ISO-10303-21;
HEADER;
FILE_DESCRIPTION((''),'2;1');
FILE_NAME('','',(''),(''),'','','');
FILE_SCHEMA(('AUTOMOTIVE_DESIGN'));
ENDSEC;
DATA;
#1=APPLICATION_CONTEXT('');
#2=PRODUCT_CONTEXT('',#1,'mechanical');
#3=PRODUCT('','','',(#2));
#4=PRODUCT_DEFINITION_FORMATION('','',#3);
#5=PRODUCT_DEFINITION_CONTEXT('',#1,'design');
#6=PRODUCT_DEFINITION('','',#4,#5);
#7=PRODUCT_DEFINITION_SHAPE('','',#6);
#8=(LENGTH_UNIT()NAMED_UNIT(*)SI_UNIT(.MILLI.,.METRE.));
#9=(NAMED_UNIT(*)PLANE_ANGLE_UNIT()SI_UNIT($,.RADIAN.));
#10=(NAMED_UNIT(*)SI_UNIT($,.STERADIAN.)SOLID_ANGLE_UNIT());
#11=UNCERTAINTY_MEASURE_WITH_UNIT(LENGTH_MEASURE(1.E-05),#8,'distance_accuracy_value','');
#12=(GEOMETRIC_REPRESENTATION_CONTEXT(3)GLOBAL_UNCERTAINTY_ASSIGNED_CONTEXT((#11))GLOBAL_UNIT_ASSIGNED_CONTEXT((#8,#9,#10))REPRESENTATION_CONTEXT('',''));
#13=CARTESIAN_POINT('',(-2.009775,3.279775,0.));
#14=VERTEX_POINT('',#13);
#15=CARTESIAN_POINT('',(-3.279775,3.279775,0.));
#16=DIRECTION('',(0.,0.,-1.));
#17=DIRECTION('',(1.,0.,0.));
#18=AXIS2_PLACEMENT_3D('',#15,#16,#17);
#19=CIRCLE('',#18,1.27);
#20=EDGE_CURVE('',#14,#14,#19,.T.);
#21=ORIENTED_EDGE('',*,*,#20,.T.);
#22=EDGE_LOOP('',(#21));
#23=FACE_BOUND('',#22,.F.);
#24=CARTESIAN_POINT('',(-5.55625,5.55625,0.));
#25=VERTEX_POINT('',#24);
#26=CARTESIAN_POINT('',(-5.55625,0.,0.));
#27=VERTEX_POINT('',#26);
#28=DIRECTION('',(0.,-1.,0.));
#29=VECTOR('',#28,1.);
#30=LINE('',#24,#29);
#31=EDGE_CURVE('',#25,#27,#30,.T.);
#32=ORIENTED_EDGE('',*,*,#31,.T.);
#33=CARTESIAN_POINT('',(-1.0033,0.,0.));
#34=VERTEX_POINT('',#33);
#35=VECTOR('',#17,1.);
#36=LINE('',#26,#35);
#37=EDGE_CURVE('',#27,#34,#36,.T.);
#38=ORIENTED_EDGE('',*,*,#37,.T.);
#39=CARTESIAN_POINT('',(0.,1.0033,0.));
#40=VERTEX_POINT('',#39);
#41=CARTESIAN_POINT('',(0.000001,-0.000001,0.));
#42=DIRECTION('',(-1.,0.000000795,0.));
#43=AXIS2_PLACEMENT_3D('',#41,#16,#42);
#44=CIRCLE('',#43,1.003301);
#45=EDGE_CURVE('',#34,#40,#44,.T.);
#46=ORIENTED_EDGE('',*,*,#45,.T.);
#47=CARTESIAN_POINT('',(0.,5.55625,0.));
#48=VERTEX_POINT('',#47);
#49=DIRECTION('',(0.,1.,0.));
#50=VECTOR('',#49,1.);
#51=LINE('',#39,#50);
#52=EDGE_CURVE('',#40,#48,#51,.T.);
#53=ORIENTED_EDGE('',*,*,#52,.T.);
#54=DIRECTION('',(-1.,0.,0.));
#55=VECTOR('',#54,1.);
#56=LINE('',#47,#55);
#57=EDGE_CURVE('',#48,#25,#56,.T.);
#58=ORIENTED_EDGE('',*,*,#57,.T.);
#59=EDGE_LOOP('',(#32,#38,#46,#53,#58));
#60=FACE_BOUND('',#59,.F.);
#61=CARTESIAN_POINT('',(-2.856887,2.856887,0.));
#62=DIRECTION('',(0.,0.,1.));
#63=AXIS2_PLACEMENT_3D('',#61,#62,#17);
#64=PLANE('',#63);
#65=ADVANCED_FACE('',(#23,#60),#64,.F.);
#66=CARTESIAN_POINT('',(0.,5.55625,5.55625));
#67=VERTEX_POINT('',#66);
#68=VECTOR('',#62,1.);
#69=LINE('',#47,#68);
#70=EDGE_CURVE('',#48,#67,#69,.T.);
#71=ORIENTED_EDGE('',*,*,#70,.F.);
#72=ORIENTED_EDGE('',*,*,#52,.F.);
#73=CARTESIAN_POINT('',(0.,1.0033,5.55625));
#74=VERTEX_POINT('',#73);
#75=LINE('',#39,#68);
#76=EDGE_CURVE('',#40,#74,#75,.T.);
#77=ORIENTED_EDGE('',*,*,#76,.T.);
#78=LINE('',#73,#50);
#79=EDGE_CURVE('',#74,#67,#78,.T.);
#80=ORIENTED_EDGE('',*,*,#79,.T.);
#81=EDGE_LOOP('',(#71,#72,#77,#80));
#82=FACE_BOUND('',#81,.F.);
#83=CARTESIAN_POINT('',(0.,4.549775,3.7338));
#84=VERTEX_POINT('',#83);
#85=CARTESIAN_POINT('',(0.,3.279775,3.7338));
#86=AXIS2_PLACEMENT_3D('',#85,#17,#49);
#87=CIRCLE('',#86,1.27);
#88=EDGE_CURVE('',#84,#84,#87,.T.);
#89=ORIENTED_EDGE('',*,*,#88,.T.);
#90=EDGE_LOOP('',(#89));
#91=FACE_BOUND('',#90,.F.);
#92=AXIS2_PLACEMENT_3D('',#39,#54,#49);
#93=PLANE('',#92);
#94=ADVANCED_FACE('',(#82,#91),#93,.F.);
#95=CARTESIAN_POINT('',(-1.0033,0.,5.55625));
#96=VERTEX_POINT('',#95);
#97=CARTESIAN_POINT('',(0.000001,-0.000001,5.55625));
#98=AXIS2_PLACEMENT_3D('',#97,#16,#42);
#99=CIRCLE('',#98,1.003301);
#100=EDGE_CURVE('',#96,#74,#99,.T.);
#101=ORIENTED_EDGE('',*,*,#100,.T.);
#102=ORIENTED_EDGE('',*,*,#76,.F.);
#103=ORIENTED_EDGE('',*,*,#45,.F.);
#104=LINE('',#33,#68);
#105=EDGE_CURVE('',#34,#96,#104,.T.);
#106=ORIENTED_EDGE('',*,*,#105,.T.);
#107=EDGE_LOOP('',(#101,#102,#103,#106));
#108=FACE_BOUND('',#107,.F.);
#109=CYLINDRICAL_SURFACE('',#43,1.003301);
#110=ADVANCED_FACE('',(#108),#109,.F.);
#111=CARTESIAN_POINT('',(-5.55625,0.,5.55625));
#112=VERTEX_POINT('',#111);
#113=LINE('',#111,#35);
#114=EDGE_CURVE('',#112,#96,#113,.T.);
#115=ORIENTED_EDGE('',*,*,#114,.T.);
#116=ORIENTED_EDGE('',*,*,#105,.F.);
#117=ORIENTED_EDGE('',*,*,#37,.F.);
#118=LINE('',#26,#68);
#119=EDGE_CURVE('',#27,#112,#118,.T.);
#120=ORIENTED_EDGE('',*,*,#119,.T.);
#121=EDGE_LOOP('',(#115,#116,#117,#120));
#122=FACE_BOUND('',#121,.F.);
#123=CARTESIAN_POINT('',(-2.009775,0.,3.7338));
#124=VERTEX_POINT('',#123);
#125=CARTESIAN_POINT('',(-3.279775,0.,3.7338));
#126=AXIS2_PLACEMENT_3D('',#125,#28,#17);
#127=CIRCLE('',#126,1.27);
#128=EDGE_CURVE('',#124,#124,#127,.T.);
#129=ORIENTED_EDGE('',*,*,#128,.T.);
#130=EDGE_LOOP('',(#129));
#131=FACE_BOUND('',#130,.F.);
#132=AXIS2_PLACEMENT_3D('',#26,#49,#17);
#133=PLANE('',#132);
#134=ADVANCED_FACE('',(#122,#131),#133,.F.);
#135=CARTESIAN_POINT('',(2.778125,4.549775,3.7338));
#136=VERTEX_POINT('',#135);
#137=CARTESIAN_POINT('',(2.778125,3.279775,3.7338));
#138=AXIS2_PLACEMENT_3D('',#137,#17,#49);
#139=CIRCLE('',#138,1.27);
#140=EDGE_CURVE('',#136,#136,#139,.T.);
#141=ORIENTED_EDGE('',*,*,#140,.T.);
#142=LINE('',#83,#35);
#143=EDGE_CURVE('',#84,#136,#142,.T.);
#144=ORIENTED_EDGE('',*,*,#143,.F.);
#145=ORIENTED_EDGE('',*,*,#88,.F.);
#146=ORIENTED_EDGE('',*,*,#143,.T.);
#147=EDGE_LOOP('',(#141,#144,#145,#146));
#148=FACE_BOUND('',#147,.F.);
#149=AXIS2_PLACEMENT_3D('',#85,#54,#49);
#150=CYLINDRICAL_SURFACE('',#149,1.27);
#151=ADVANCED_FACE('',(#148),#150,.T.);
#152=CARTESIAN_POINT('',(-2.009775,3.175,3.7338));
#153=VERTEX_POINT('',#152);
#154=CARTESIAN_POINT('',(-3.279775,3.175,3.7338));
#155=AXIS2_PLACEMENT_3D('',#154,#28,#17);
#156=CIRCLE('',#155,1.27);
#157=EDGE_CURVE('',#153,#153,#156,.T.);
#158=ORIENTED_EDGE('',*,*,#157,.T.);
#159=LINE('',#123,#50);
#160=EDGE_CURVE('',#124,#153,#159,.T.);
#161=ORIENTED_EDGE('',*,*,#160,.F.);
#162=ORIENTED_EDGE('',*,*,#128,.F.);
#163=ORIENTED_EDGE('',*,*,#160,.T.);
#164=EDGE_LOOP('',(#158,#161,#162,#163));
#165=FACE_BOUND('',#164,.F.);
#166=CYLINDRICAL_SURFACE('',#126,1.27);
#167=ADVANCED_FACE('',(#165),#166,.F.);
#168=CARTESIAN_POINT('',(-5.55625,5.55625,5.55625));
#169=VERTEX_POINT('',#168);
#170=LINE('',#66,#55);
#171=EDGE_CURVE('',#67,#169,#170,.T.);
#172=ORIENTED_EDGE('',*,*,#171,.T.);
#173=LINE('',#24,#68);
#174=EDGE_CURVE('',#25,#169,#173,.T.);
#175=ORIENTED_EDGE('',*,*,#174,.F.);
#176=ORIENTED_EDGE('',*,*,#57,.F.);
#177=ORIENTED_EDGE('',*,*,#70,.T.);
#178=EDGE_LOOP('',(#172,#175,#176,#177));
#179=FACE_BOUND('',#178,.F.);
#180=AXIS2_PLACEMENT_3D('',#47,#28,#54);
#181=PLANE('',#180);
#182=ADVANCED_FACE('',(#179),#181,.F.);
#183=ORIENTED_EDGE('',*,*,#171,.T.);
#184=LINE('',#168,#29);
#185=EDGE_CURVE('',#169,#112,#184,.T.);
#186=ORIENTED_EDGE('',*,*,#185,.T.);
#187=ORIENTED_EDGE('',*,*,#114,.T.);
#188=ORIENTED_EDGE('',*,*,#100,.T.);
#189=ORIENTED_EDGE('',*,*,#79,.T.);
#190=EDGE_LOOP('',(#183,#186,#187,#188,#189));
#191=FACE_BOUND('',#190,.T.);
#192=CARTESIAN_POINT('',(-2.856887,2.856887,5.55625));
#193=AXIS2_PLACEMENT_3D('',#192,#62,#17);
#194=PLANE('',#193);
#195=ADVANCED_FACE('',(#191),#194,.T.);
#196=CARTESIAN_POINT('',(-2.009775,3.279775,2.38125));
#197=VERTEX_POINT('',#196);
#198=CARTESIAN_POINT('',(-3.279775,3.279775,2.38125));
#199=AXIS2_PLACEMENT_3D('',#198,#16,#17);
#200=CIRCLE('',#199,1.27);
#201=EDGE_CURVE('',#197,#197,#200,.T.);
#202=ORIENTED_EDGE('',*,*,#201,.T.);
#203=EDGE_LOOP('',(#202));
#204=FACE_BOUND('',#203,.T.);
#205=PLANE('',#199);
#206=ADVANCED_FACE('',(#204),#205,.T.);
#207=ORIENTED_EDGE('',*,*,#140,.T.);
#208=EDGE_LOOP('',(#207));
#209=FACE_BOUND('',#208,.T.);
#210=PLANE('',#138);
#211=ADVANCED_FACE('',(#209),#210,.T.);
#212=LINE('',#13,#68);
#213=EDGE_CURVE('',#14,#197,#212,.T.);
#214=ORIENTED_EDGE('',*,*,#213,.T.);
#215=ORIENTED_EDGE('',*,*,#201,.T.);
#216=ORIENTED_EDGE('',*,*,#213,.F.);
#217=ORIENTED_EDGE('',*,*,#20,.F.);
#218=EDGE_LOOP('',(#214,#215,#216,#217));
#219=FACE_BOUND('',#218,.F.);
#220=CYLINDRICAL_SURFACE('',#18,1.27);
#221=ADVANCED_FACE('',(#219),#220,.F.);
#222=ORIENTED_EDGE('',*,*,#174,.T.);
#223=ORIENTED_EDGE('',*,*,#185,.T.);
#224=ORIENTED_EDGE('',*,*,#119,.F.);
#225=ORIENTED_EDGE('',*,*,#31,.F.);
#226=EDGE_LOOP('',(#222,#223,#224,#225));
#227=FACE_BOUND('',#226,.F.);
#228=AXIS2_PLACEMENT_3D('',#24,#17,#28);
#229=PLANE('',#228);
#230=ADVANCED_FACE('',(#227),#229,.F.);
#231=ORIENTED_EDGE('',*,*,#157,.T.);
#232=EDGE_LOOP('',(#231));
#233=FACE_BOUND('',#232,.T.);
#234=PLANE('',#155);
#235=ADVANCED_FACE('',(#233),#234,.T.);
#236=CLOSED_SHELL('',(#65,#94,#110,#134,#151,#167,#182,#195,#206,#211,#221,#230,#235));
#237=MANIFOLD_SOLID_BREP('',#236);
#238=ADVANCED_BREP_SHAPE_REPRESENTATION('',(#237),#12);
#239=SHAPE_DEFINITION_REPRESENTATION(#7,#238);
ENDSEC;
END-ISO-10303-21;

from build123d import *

# Parameters (mm, degrees)
F1_DEPTH = 5.55625
F3_R     = 1.27
F4_DEPTH = 3.175
F5_R     = 1.27
F6_DEPTH = 2.38125
F2_R     = 1.27
F7_DEPTH = 2.778125


with BuildPart() as f1:
    # F0 (on Top) → F1 (new body)
    with BuildSketch(Plane.XY):
        with BuildLine():
            Line((-5.55625, 0), (-1.0033, 0))
            ThreePointArc((-1.0033, 0), (-0.70944, 0.70944), (0, 1.0033))
            Line((0, 1.0033), (0, 5.55625))
            Line((0, 5.55625), (-5.55625, 5.55625))
            Line((-5.55625, 5.55625), (-5.55625, 0))
        make_face()
    extrude(amount=F1_DEPTH)

    # F3 (on face) → F4 (cut)
    with BuildSketch(Plane.XZ):
        with Locations((-3.279775, 3.7338)):
            Circle(F3_R)
    extrude(amount=-F4_DEPTH, mode=Mode.SUBTRACT)

    # F5 (on face) → F6 (cut)
    with BuildSketch(Plane(origin=(0, 0, 0), x_dir=(1, 0, 0), z_dir=(0, 0, -1))):
        with Locations((-3.279775, -3.279775)):
            Circle(F5_R)
    extrude(amount=-F6_DEPTH, mode=Mode.SUBTRACT)

    # F2 (on face) → F7 (join)
    with BuildSketch(Plane.YZ):
        with Locations((3.279775, 3.7338)):
            Circle(F2_R)
    extrude(amount=F7_DEPTH)


with BuildPart() as f8_1:
    # F8: copy of F1
    add(f1.part.moved(Location((25.4, 0, 0))))


solid = f1.part
